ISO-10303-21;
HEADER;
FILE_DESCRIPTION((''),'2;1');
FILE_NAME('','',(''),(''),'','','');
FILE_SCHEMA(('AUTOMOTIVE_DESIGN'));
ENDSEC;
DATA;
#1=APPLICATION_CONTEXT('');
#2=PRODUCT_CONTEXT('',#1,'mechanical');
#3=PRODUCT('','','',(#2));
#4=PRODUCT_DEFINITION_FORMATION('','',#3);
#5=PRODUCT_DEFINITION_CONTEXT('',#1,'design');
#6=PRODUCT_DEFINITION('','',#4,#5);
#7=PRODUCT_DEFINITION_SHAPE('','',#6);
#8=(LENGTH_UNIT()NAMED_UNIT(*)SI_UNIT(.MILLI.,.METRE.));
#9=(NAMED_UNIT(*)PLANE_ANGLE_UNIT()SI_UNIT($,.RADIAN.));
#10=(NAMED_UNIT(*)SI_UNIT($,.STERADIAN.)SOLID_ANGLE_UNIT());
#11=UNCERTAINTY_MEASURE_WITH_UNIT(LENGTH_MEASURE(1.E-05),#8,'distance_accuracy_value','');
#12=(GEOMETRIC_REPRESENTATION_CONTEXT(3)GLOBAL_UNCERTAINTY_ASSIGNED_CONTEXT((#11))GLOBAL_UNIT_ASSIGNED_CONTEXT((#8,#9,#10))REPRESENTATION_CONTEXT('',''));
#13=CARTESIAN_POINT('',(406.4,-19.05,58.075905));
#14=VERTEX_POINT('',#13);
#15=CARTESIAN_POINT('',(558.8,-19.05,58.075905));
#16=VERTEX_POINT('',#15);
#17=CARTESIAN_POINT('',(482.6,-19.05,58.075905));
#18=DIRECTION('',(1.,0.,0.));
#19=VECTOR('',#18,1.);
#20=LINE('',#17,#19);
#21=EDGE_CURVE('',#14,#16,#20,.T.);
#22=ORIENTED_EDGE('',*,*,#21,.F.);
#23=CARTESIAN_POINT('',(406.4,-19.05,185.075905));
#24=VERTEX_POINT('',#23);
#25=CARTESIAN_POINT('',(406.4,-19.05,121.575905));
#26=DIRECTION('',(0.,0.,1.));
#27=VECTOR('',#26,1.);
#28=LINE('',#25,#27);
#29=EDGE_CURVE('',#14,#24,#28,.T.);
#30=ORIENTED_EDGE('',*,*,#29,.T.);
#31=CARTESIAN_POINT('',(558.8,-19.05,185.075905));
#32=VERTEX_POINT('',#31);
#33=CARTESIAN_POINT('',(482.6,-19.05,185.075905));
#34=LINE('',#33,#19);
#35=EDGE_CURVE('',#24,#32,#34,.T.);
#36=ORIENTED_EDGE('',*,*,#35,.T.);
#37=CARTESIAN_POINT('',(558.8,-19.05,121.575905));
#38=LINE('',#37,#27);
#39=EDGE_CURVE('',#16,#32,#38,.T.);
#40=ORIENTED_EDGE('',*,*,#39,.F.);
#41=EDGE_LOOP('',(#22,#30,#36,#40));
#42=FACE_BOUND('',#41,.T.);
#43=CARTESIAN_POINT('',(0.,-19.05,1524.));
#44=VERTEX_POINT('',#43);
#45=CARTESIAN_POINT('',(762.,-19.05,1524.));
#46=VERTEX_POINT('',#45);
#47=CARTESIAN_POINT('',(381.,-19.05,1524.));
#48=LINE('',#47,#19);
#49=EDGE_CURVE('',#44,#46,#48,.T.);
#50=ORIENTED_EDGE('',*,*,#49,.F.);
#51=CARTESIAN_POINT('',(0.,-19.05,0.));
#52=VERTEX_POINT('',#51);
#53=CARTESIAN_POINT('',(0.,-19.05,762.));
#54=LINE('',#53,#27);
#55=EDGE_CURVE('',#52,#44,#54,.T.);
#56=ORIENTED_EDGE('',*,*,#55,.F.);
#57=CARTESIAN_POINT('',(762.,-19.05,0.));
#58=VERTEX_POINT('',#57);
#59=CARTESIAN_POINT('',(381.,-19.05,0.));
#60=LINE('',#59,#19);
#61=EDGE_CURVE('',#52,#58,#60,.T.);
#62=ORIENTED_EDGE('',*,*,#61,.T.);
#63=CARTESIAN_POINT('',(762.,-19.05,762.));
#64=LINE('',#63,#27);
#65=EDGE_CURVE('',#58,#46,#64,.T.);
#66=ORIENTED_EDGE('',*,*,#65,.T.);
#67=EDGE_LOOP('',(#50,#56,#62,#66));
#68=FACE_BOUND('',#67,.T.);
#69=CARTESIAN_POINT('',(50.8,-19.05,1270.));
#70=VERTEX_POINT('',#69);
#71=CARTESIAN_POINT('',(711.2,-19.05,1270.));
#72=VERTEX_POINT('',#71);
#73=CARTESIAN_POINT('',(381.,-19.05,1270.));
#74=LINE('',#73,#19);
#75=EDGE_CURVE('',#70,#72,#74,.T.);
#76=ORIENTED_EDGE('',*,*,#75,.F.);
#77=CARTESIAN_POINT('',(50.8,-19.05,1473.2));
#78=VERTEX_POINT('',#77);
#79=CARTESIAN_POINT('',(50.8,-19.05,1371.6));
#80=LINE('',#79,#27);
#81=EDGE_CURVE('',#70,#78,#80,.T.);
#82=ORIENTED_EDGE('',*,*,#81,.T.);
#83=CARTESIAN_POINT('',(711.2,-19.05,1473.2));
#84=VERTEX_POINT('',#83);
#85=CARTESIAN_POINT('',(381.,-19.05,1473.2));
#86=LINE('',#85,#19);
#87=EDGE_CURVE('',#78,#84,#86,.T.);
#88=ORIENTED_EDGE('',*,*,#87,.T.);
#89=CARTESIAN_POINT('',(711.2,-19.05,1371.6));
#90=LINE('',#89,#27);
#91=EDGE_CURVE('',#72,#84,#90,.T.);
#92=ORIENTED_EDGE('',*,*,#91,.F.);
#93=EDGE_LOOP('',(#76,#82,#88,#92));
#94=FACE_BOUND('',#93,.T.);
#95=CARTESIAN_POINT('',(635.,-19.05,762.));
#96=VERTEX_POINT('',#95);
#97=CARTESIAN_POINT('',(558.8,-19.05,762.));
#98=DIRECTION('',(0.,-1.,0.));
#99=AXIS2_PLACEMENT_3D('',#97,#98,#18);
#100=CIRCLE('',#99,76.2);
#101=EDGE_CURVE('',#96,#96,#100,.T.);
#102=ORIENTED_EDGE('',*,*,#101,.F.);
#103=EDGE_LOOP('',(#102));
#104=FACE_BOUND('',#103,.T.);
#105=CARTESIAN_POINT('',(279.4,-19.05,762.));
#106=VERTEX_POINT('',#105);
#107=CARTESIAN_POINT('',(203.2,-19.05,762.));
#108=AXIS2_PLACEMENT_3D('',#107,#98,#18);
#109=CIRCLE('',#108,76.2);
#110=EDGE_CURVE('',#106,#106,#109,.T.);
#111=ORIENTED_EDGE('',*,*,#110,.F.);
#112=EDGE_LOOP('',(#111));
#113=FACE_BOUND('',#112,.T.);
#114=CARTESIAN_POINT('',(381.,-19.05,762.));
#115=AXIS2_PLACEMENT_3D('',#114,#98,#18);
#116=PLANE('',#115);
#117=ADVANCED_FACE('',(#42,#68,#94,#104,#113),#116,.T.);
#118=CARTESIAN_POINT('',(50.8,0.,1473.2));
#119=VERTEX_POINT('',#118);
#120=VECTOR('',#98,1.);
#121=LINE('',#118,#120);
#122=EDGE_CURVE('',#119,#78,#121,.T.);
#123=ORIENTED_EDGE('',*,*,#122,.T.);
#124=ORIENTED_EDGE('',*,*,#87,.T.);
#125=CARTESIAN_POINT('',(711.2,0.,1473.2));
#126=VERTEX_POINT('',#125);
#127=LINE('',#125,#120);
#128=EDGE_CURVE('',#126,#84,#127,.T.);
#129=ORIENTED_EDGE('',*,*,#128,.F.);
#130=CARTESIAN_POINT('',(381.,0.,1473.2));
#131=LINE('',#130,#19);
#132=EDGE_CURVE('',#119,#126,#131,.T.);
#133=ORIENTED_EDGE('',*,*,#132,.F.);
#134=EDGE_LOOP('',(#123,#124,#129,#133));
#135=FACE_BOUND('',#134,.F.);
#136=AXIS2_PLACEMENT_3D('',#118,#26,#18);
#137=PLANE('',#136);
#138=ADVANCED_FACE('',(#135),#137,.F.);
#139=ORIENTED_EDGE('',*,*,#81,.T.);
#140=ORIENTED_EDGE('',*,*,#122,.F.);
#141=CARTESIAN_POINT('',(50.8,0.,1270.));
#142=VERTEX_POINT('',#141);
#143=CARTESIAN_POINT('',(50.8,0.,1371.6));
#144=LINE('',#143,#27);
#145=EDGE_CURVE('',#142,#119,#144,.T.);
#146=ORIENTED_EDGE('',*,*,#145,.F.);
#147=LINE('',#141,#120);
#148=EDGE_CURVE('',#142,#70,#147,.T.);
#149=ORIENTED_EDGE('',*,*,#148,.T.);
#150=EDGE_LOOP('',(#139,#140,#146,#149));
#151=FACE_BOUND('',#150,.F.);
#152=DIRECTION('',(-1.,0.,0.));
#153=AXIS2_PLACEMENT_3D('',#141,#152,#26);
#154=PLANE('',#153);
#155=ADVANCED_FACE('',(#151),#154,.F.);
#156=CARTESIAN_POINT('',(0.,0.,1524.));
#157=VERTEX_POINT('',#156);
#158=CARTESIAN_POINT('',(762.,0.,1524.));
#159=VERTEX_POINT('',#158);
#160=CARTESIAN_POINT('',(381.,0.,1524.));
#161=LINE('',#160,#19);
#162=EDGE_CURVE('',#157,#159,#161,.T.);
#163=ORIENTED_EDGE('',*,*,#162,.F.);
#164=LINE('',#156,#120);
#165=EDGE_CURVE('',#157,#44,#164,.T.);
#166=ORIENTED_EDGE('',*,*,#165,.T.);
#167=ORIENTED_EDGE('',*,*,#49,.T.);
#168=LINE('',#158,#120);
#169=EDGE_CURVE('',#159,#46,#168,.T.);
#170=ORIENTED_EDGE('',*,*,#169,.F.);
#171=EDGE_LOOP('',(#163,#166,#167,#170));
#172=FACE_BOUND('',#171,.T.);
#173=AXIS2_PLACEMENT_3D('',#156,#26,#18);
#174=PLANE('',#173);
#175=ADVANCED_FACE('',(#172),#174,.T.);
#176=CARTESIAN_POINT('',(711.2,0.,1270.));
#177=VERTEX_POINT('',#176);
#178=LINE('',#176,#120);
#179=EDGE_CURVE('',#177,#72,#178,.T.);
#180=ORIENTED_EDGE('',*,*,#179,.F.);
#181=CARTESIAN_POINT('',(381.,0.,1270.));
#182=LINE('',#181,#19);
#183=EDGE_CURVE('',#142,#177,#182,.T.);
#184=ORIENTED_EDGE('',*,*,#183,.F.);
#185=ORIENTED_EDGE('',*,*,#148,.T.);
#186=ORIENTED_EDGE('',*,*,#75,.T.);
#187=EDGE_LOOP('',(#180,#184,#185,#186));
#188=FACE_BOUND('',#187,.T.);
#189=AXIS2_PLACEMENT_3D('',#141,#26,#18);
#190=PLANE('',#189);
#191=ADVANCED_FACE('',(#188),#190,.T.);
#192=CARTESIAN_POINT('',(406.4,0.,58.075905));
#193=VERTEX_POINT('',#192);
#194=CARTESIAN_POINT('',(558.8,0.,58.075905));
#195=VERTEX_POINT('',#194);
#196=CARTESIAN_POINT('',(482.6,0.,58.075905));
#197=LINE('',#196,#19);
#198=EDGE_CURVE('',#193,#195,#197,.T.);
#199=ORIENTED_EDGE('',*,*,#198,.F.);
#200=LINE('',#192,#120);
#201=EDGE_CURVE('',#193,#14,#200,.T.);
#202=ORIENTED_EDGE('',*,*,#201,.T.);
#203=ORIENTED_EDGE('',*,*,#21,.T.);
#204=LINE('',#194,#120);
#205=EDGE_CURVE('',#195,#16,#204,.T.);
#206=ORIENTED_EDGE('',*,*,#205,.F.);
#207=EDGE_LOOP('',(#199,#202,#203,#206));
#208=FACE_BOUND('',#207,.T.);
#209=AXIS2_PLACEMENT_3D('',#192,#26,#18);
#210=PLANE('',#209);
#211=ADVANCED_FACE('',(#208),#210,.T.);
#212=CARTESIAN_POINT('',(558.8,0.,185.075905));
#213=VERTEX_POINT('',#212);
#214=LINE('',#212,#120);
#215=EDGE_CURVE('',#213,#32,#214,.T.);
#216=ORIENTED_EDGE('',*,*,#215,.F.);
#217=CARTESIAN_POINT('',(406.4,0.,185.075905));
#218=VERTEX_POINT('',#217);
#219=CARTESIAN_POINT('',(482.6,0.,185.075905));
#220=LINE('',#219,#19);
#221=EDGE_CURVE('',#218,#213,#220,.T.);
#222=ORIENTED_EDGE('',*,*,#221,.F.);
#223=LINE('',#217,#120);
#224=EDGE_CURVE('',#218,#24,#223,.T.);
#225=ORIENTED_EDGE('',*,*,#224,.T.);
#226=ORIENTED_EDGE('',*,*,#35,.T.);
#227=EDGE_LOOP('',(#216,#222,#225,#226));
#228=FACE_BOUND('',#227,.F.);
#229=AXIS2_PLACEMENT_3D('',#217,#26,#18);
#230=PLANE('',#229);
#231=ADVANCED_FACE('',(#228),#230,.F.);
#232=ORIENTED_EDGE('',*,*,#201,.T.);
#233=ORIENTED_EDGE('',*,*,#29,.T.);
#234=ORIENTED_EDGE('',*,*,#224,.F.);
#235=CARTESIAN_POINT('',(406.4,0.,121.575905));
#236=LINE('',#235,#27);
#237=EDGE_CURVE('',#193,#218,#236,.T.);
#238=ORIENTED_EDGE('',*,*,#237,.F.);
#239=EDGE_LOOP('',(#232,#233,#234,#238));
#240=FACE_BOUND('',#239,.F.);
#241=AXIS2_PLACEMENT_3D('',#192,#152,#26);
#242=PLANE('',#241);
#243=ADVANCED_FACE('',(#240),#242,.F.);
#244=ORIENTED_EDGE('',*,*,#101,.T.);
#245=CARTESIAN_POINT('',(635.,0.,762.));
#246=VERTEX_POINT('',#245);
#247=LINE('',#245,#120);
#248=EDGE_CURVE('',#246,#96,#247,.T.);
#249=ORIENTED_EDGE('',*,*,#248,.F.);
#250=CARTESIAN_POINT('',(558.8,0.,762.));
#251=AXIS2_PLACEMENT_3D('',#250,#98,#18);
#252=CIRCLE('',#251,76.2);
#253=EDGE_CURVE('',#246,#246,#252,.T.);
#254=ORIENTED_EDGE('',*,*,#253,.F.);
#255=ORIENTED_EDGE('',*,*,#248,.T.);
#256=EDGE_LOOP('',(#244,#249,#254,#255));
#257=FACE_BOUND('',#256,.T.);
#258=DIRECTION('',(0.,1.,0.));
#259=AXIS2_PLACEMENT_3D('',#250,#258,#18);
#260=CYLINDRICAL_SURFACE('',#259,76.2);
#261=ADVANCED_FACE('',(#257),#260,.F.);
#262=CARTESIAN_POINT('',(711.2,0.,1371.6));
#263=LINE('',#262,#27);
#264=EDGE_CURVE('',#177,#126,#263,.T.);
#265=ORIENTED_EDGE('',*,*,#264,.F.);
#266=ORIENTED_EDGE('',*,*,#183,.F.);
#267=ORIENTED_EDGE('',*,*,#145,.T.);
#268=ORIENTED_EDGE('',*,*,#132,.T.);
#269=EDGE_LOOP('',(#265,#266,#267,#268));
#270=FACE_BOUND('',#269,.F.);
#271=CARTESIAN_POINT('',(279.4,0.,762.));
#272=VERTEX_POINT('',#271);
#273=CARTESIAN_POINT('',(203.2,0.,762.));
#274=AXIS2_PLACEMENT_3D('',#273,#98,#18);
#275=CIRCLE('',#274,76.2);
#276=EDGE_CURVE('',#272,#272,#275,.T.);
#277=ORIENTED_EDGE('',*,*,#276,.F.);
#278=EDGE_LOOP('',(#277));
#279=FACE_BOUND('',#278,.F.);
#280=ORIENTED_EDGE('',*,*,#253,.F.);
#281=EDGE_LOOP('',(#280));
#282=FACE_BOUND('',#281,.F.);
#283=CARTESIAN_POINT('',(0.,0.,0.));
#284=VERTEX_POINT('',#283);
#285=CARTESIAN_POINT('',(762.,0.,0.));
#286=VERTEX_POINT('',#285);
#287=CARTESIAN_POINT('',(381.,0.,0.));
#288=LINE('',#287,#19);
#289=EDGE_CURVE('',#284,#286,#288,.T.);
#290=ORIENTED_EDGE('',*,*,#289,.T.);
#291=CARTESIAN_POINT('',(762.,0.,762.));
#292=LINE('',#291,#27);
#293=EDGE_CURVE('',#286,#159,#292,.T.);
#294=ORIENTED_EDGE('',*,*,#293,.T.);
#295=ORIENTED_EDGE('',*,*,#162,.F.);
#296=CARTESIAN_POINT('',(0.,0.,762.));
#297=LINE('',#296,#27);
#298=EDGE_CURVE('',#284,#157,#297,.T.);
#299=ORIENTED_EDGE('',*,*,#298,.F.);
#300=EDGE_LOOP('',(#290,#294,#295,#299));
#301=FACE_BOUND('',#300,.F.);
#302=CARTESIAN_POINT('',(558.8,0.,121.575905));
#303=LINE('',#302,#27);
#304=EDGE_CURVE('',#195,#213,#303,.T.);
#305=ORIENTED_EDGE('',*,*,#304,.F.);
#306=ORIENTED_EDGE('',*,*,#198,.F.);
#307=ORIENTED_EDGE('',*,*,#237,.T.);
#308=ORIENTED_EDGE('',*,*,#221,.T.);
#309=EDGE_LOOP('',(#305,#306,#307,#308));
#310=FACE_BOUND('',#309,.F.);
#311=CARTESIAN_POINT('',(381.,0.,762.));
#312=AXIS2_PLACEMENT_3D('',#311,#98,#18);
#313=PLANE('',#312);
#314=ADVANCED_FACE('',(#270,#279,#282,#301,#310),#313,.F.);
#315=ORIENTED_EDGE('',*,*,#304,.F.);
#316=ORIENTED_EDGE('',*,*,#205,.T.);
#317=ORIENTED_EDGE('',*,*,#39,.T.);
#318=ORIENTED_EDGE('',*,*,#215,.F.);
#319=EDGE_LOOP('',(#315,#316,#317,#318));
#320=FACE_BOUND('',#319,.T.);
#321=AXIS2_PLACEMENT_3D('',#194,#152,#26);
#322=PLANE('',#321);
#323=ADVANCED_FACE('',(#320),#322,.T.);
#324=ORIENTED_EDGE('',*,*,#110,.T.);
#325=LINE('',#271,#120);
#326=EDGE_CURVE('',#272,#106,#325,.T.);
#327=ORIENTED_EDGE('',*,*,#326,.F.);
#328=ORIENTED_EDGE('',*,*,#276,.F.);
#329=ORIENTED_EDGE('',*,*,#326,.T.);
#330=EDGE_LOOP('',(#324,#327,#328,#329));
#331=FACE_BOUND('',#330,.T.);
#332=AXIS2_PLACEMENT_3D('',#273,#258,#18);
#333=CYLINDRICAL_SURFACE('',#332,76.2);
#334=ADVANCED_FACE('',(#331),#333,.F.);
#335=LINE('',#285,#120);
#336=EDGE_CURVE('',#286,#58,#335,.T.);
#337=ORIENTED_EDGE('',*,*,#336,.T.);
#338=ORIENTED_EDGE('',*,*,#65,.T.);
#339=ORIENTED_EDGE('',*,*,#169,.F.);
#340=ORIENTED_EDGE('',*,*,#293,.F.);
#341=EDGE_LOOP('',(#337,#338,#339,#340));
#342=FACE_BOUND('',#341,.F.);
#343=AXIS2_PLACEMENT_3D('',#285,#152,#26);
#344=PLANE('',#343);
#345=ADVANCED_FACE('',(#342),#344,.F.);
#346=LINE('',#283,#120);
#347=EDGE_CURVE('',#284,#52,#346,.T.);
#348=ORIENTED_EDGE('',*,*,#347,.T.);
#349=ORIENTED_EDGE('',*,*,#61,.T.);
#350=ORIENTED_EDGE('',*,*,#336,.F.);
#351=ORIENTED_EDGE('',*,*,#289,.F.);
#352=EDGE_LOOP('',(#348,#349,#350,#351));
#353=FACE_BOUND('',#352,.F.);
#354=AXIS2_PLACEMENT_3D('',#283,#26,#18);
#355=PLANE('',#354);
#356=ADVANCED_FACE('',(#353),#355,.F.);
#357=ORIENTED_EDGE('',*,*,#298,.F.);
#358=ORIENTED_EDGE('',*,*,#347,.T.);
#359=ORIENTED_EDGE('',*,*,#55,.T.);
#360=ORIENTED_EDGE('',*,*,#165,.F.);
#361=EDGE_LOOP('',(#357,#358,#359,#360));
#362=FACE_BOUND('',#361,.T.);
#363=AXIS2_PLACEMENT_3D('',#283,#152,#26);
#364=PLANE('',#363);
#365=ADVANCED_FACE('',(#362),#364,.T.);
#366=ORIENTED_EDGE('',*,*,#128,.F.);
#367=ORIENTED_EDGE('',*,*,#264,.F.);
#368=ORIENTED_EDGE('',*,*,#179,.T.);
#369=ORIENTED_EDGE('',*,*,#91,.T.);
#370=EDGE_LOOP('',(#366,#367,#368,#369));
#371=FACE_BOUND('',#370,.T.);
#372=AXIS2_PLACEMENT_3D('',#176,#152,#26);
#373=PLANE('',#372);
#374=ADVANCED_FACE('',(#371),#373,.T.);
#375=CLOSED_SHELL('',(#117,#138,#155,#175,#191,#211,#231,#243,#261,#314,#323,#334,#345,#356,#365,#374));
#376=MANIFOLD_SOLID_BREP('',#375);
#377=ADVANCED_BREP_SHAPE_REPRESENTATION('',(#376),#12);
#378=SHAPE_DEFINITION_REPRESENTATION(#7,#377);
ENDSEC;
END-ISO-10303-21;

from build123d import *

# Parameters (mm, degrees)
F0_W     = 762
F0_H     = 1524
F0_W_2   = 152.4
F0_H_2   = 127
F0_R     = 76.2
F0_W_3   = 660.4
F0_H_3   = 203.2
F1_DEPTH = 19.05


with BuildPart() as f1:
    # F0 (on Front) → F1 (new body)
    with BuildSketch(Plane.XZ):
        with Locations((381, 762)):
            Rectangle(F0_W, F0_H)
        with Locations((482.6, 121.575905)):
            Rectangle(F0_W_2, F0_H_2, mode=Mode.SUBTRACT)
        with Locations((203.2, 762)):
            Circle(F0_R, mode=Mode.SUBTRACT)
        with Locations((558.8, 762)):
            Circle(F0_R, mode=Mode.SUBTRACT)
        with Locations((381, 1371.6)):
            Rectangle(F0_W_3, F0_H_3, mode=Mode.SUBTRACT)
    extrude(amount=F1_DEPTH)


solid = f1.part
